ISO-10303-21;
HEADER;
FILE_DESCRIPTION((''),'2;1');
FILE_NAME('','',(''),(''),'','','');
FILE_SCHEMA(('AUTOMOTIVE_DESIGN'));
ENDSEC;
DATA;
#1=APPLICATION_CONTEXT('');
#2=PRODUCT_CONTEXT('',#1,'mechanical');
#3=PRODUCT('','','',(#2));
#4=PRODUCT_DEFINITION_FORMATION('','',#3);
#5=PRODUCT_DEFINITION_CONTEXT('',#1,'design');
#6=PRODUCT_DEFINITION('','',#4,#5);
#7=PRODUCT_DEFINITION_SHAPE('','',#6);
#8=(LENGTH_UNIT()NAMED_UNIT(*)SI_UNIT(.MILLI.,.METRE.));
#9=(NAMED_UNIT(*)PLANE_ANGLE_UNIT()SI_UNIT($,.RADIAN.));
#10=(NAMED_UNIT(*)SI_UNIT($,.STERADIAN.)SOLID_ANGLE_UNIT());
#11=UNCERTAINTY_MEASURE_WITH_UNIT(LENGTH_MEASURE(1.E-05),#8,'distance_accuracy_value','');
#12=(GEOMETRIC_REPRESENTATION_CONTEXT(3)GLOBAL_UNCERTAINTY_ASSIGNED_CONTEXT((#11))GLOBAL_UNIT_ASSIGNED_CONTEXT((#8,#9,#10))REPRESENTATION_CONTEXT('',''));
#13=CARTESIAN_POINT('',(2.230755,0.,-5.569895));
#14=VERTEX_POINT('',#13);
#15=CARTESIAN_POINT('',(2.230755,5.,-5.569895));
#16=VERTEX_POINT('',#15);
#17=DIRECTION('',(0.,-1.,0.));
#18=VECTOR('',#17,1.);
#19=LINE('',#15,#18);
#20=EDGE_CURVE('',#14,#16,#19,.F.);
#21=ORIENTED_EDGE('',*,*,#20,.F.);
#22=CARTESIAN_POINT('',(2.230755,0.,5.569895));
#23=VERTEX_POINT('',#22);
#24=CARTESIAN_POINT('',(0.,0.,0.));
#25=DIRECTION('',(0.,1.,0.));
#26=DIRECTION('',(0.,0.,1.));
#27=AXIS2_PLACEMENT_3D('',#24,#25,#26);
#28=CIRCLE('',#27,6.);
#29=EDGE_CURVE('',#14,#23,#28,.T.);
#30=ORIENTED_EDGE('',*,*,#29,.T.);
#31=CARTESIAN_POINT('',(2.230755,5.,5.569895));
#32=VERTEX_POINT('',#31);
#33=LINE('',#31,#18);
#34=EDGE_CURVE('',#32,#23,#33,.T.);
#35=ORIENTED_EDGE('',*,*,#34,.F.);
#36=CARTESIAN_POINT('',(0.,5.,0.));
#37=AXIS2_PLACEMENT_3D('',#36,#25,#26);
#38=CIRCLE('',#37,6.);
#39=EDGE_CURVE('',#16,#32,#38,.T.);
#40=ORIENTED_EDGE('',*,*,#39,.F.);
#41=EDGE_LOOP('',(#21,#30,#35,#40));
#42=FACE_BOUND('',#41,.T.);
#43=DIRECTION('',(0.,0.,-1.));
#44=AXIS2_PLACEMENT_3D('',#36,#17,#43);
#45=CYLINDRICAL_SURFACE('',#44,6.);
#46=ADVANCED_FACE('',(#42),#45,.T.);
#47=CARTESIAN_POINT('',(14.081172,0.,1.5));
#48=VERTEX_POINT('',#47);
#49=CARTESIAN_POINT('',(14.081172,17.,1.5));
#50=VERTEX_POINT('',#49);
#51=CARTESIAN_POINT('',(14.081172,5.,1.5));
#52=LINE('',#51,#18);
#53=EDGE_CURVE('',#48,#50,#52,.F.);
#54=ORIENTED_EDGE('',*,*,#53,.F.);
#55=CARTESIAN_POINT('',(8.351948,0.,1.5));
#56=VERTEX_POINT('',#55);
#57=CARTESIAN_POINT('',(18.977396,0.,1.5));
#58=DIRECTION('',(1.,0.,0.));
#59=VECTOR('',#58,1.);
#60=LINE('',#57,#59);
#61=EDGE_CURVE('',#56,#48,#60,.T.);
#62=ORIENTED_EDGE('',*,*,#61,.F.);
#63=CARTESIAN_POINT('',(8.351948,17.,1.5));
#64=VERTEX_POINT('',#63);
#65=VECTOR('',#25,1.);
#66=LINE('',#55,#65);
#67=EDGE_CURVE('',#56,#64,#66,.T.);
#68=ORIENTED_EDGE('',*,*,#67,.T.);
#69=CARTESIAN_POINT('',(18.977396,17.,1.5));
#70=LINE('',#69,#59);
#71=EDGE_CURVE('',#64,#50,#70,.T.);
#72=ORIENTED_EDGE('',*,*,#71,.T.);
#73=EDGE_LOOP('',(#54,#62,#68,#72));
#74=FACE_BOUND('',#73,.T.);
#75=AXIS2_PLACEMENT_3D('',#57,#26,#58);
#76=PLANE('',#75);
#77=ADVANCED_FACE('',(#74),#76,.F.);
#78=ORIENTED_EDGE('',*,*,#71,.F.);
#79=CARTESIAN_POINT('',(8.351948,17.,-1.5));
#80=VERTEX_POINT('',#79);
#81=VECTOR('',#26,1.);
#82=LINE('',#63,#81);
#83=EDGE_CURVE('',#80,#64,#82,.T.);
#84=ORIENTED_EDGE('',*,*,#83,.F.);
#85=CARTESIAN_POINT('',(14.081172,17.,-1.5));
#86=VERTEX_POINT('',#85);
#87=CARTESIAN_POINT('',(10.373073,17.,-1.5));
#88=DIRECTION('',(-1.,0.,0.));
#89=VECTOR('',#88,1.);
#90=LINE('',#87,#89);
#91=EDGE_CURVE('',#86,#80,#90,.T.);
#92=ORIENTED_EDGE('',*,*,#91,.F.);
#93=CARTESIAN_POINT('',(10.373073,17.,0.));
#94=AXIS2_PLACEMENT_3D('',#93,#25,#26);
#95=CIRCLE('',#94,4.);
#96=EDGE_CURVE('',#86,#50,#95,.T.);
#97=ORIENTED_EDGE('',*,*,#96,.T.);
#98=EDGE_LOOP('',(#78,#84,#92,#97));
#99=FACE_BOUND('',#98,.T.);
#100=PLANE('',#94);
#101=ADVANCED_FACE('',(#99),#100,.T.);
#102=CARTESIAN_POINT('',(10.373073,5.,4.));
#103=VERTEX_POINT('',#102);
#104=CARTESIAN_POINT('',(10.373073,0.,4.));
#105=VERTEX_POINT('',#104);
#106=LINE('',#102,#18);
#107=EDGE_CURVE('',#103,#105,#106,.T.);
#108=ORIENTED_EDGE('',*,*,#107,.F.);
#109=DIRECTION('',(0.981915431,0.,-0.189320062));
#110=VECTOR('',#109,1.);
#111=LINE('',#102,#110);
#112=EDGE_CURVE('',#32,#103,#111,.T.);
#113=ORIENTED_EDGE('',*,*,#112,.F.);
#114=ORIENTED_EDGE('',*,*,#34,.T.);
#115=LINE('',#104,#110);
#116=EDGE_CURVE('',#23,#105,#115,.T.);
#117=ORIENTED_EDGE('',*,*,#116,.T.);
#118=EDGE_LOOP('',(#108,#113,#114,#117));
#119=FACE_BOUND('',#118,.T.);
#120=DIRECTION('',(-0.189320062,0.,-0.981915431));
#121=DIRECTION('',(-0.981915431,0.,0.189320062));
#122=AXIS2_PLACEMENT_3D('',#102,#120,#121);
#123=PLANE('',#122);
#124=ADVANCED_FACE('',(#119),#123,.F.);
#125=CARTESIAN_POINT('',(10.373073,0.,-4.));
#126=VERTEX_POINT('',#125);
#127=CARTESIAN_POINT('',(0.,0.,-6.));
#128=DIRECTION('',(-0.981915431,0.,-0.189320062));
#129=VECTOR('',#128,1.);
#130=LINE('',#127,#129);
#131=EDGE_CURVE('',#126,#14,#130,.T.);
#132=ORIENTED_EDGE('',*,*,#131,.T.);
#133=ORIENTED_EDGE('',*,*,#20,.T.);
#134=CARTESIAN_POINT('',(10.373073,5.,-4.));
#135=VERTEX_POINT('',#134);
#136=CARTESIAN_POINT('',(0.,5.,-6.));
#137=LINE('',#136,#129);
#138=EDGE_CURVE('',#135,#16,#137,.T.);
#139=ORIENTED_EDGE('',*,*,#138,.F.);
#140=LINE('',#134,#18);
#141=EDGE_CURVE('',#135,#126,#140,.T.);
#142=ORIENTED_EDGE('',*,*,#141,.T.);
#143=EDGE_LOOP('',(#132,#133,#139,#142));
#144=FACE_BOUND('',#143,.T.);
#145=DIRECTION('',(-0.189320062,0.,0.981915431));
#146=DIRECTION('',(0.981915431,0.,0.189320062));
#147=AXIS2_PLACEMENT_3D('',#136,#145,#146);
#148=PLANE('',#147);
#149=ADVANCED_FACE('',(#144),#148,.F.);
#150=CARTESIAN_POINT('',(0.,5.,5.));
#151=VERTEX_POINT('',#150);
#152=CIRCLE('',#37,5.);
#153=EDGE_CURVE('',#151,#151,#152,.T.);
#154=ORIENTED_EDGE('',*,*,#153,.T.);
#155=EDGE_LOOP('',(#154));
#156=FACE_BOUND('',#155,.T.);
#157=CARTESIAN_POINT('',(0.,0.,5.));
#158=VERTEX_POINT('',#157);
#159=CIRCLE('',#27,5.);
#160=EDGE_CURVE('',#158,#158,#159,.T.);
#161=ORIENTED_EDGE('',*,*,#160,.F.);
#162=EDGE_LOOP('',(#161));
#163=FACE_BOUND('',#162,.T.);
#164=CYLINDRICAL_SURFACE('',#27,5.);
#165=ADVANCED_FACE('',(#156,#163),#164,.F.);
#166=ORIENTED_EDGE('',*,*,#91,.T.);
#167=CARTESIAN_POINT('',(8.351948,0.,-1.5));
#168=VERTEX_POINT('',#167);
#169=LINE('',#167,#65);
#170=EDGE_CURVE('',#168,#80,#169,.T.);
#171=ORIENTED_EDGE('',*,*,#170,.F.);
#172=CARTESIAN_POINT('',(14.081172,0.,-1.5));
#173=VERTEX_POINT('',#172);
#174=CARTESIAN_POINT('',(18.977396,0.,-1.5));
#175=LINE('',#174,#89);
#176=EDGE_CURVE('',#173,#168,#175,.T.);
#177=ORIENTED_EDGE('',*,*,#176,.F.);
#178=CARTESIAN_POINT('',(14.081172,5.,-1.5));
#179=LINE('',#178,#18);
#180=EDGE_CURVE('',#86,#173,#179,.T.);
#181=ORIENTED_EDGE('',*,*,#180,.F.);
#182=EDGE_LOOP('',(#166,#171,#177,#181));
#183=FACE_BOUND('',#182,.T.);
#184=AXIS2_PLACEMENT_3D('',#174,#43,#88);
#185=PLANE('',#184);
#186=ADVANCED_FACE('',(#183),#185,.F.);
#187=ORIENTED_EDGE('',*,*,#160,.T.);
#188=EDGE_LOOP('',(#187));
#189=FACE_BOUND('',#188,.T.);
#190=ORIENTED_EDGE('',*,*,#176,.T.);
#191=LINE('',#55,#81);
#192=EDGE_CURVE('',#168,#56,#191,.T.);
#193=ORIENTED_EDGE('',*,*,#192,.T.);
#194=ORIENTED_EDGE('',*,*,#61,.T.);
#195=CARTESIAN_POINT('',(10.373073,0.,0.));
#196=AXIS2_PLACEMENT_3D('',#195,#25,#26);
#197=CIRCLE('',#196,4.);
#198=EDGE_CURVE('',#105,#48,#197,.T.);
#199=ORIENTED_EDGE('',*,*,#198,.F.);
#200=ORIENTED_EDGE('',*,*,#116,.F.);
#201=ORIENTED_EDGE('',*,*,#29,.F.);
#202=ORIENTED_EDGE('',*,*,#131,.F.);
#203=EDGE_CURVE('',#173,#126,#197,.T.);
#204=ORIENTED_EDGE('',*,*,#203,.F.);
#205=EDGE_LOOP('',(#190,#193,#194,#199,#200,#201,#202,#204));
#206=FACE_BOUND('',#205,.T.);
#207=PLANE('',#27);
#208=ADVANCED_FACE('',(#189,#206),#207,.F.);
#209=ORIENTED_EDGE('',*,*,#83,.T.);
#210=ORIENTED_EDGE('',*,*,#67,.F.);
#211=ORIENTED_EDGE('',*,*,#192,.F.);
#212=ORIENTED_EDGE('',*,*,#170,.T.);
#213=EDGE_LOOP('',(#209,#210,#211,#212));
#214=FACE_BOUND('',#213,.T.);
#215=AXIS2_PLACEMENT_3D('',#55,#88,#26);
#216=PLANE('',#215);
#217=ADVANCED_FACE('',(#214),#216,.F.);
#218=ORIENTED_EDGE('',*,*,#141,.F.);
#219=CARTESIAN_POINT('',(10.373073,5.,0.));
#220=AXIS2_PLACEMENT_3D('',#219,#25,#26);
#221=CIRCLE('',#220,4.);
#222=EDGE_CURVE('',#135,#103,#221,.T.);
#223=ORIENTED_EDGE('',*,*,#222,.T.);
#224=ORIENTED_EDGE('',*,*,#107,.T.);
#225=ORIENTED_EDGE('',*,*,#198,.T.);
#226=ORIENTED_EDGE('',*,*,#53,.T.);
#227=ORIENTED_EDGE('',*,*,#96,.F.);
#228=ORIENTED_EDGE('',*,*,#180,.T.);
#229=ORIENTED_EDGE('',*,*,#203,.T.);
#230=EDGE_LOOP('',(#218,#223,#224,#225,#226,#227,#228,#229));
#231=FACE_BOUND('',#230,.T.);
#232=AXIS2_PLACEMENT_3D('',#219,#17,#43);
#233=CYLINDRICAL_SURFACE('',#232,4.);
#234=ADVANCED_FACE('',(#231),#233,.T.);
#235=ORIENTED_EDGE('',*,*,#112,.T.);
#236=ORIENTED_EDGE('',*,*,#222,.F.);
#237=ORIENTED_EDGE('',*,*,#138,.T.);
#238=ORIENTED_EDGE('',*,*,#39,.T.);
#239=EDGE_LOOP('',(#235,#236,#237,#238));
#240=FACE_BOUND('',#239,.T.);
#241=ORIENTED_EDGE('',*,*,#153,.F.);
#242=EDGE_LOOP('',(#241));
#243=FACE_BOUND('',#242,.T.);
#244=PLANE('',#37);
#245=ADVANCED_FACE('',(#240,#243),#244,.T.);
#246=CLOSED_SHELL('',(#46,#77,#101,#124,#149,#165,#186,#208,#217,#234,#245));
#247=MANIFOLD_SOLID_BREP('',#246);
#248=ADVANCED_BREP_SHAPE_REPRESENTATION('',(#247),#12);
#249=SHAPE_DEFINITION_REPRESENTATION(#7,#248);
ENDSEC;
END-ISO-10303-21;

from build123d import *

# Parameters (mm, degrees)
SKETCH_1_R          = 6
EXTRUDE_1_DEPTH     = 5
SKETCH_3_R          = 4
EXTRUDE_2_DEPTH     = 5
EXTRUDE_3_DEPTH     = 5
SKETCH_2_R          = 5
CUT_EXTRUDE_1_DEPTH = 6
SKETCH_5_R          = 4
EXTRUDE_4_DEPTH     = 12
SKETCH_6_W          = 10.625447748
SKETCH_6_H          = 3
CUT_EXTRUDE_2_DEPTH = 18


with BuildPart() as part:
    # 草图1 → 凸台-拉伸1 (new body)
    with BuildSketch(Plane(origin=(0, 0, 0), x_dir=(1, 0, 0), z_dir=(0, 1, 0))):
        Circle(SKETCH_1_R)
    extrude(amount=EXTRUDE_1_DEPTH)



with BuildPart() as body_2:
    # 草图3 → 凸台-拉伸2 (new body)
    with BuildSketch(Plane(origin=(0, 0, 0), x_dir=(1, 0, 0), z_dir=(0, 1, 0))):
        with Locations((10.373073214, 0)):
            Circle(SKETCH_3_R)
    extrude(amount=EXTRUDE_2_DEPTH)


with BuildPart() as part_1:
    add(part.part)

    add(body_2.part)  # 凸台-拉伸3 merges body 2
    # 草图4 → 凸台-拉伸3 (add)
    with BuildSketch(Plane(origin=(0, 0, 0), x_dir=(1, 0, 0), z_dir=(0, 1, 0))):
        Polygon((0, 6), (10.373073214, 4), (10.373073214, -4), (0, -6), align=None)
    extrude(amount=EXTRUDE_3_DEPTH)

    # 草图2 → 切除-拉伸1 (cut, through all)
    with BuildSketch(Plane(origin=(0, 5, 0), x_dir=(1, 0, 0), z_dir=(0, 1, 0))):
        Circle(SKETCH_2_R)
    extrude(amount=-CUT_EXTRUDE_1_DEPTH, mode=Mode.SUBTRACT)

    # 草图5 → 凸台-拉伸4 (add)
    with BuildSketch(Plane(origin=(0, 5, 0), x_dir=(1, 0, 0), z_dir=(0, 1, 0))):
        with Locations((10.373073214, 0)):
            Circle(SKETCH_5_R)
    extrude(amount=EXTRUDE_4_DEPTH)

    # 草图6 → 切除-拉伸2 (cut, through all)
    with BuildSketch(Plane(origin=(0, 17, 0), x_dir=(1, 0, 0), z_dir=(0, 1, 0))):
        with Locations((13.66467232, 0)):
            Rectangle(SKETCH_6_W, SKETCH_6_H)
    extrude(amount=-CUT_EXTRUDE_2_DEPTH, mode=Mode.SUBTRACT)


solid = part_1.part
